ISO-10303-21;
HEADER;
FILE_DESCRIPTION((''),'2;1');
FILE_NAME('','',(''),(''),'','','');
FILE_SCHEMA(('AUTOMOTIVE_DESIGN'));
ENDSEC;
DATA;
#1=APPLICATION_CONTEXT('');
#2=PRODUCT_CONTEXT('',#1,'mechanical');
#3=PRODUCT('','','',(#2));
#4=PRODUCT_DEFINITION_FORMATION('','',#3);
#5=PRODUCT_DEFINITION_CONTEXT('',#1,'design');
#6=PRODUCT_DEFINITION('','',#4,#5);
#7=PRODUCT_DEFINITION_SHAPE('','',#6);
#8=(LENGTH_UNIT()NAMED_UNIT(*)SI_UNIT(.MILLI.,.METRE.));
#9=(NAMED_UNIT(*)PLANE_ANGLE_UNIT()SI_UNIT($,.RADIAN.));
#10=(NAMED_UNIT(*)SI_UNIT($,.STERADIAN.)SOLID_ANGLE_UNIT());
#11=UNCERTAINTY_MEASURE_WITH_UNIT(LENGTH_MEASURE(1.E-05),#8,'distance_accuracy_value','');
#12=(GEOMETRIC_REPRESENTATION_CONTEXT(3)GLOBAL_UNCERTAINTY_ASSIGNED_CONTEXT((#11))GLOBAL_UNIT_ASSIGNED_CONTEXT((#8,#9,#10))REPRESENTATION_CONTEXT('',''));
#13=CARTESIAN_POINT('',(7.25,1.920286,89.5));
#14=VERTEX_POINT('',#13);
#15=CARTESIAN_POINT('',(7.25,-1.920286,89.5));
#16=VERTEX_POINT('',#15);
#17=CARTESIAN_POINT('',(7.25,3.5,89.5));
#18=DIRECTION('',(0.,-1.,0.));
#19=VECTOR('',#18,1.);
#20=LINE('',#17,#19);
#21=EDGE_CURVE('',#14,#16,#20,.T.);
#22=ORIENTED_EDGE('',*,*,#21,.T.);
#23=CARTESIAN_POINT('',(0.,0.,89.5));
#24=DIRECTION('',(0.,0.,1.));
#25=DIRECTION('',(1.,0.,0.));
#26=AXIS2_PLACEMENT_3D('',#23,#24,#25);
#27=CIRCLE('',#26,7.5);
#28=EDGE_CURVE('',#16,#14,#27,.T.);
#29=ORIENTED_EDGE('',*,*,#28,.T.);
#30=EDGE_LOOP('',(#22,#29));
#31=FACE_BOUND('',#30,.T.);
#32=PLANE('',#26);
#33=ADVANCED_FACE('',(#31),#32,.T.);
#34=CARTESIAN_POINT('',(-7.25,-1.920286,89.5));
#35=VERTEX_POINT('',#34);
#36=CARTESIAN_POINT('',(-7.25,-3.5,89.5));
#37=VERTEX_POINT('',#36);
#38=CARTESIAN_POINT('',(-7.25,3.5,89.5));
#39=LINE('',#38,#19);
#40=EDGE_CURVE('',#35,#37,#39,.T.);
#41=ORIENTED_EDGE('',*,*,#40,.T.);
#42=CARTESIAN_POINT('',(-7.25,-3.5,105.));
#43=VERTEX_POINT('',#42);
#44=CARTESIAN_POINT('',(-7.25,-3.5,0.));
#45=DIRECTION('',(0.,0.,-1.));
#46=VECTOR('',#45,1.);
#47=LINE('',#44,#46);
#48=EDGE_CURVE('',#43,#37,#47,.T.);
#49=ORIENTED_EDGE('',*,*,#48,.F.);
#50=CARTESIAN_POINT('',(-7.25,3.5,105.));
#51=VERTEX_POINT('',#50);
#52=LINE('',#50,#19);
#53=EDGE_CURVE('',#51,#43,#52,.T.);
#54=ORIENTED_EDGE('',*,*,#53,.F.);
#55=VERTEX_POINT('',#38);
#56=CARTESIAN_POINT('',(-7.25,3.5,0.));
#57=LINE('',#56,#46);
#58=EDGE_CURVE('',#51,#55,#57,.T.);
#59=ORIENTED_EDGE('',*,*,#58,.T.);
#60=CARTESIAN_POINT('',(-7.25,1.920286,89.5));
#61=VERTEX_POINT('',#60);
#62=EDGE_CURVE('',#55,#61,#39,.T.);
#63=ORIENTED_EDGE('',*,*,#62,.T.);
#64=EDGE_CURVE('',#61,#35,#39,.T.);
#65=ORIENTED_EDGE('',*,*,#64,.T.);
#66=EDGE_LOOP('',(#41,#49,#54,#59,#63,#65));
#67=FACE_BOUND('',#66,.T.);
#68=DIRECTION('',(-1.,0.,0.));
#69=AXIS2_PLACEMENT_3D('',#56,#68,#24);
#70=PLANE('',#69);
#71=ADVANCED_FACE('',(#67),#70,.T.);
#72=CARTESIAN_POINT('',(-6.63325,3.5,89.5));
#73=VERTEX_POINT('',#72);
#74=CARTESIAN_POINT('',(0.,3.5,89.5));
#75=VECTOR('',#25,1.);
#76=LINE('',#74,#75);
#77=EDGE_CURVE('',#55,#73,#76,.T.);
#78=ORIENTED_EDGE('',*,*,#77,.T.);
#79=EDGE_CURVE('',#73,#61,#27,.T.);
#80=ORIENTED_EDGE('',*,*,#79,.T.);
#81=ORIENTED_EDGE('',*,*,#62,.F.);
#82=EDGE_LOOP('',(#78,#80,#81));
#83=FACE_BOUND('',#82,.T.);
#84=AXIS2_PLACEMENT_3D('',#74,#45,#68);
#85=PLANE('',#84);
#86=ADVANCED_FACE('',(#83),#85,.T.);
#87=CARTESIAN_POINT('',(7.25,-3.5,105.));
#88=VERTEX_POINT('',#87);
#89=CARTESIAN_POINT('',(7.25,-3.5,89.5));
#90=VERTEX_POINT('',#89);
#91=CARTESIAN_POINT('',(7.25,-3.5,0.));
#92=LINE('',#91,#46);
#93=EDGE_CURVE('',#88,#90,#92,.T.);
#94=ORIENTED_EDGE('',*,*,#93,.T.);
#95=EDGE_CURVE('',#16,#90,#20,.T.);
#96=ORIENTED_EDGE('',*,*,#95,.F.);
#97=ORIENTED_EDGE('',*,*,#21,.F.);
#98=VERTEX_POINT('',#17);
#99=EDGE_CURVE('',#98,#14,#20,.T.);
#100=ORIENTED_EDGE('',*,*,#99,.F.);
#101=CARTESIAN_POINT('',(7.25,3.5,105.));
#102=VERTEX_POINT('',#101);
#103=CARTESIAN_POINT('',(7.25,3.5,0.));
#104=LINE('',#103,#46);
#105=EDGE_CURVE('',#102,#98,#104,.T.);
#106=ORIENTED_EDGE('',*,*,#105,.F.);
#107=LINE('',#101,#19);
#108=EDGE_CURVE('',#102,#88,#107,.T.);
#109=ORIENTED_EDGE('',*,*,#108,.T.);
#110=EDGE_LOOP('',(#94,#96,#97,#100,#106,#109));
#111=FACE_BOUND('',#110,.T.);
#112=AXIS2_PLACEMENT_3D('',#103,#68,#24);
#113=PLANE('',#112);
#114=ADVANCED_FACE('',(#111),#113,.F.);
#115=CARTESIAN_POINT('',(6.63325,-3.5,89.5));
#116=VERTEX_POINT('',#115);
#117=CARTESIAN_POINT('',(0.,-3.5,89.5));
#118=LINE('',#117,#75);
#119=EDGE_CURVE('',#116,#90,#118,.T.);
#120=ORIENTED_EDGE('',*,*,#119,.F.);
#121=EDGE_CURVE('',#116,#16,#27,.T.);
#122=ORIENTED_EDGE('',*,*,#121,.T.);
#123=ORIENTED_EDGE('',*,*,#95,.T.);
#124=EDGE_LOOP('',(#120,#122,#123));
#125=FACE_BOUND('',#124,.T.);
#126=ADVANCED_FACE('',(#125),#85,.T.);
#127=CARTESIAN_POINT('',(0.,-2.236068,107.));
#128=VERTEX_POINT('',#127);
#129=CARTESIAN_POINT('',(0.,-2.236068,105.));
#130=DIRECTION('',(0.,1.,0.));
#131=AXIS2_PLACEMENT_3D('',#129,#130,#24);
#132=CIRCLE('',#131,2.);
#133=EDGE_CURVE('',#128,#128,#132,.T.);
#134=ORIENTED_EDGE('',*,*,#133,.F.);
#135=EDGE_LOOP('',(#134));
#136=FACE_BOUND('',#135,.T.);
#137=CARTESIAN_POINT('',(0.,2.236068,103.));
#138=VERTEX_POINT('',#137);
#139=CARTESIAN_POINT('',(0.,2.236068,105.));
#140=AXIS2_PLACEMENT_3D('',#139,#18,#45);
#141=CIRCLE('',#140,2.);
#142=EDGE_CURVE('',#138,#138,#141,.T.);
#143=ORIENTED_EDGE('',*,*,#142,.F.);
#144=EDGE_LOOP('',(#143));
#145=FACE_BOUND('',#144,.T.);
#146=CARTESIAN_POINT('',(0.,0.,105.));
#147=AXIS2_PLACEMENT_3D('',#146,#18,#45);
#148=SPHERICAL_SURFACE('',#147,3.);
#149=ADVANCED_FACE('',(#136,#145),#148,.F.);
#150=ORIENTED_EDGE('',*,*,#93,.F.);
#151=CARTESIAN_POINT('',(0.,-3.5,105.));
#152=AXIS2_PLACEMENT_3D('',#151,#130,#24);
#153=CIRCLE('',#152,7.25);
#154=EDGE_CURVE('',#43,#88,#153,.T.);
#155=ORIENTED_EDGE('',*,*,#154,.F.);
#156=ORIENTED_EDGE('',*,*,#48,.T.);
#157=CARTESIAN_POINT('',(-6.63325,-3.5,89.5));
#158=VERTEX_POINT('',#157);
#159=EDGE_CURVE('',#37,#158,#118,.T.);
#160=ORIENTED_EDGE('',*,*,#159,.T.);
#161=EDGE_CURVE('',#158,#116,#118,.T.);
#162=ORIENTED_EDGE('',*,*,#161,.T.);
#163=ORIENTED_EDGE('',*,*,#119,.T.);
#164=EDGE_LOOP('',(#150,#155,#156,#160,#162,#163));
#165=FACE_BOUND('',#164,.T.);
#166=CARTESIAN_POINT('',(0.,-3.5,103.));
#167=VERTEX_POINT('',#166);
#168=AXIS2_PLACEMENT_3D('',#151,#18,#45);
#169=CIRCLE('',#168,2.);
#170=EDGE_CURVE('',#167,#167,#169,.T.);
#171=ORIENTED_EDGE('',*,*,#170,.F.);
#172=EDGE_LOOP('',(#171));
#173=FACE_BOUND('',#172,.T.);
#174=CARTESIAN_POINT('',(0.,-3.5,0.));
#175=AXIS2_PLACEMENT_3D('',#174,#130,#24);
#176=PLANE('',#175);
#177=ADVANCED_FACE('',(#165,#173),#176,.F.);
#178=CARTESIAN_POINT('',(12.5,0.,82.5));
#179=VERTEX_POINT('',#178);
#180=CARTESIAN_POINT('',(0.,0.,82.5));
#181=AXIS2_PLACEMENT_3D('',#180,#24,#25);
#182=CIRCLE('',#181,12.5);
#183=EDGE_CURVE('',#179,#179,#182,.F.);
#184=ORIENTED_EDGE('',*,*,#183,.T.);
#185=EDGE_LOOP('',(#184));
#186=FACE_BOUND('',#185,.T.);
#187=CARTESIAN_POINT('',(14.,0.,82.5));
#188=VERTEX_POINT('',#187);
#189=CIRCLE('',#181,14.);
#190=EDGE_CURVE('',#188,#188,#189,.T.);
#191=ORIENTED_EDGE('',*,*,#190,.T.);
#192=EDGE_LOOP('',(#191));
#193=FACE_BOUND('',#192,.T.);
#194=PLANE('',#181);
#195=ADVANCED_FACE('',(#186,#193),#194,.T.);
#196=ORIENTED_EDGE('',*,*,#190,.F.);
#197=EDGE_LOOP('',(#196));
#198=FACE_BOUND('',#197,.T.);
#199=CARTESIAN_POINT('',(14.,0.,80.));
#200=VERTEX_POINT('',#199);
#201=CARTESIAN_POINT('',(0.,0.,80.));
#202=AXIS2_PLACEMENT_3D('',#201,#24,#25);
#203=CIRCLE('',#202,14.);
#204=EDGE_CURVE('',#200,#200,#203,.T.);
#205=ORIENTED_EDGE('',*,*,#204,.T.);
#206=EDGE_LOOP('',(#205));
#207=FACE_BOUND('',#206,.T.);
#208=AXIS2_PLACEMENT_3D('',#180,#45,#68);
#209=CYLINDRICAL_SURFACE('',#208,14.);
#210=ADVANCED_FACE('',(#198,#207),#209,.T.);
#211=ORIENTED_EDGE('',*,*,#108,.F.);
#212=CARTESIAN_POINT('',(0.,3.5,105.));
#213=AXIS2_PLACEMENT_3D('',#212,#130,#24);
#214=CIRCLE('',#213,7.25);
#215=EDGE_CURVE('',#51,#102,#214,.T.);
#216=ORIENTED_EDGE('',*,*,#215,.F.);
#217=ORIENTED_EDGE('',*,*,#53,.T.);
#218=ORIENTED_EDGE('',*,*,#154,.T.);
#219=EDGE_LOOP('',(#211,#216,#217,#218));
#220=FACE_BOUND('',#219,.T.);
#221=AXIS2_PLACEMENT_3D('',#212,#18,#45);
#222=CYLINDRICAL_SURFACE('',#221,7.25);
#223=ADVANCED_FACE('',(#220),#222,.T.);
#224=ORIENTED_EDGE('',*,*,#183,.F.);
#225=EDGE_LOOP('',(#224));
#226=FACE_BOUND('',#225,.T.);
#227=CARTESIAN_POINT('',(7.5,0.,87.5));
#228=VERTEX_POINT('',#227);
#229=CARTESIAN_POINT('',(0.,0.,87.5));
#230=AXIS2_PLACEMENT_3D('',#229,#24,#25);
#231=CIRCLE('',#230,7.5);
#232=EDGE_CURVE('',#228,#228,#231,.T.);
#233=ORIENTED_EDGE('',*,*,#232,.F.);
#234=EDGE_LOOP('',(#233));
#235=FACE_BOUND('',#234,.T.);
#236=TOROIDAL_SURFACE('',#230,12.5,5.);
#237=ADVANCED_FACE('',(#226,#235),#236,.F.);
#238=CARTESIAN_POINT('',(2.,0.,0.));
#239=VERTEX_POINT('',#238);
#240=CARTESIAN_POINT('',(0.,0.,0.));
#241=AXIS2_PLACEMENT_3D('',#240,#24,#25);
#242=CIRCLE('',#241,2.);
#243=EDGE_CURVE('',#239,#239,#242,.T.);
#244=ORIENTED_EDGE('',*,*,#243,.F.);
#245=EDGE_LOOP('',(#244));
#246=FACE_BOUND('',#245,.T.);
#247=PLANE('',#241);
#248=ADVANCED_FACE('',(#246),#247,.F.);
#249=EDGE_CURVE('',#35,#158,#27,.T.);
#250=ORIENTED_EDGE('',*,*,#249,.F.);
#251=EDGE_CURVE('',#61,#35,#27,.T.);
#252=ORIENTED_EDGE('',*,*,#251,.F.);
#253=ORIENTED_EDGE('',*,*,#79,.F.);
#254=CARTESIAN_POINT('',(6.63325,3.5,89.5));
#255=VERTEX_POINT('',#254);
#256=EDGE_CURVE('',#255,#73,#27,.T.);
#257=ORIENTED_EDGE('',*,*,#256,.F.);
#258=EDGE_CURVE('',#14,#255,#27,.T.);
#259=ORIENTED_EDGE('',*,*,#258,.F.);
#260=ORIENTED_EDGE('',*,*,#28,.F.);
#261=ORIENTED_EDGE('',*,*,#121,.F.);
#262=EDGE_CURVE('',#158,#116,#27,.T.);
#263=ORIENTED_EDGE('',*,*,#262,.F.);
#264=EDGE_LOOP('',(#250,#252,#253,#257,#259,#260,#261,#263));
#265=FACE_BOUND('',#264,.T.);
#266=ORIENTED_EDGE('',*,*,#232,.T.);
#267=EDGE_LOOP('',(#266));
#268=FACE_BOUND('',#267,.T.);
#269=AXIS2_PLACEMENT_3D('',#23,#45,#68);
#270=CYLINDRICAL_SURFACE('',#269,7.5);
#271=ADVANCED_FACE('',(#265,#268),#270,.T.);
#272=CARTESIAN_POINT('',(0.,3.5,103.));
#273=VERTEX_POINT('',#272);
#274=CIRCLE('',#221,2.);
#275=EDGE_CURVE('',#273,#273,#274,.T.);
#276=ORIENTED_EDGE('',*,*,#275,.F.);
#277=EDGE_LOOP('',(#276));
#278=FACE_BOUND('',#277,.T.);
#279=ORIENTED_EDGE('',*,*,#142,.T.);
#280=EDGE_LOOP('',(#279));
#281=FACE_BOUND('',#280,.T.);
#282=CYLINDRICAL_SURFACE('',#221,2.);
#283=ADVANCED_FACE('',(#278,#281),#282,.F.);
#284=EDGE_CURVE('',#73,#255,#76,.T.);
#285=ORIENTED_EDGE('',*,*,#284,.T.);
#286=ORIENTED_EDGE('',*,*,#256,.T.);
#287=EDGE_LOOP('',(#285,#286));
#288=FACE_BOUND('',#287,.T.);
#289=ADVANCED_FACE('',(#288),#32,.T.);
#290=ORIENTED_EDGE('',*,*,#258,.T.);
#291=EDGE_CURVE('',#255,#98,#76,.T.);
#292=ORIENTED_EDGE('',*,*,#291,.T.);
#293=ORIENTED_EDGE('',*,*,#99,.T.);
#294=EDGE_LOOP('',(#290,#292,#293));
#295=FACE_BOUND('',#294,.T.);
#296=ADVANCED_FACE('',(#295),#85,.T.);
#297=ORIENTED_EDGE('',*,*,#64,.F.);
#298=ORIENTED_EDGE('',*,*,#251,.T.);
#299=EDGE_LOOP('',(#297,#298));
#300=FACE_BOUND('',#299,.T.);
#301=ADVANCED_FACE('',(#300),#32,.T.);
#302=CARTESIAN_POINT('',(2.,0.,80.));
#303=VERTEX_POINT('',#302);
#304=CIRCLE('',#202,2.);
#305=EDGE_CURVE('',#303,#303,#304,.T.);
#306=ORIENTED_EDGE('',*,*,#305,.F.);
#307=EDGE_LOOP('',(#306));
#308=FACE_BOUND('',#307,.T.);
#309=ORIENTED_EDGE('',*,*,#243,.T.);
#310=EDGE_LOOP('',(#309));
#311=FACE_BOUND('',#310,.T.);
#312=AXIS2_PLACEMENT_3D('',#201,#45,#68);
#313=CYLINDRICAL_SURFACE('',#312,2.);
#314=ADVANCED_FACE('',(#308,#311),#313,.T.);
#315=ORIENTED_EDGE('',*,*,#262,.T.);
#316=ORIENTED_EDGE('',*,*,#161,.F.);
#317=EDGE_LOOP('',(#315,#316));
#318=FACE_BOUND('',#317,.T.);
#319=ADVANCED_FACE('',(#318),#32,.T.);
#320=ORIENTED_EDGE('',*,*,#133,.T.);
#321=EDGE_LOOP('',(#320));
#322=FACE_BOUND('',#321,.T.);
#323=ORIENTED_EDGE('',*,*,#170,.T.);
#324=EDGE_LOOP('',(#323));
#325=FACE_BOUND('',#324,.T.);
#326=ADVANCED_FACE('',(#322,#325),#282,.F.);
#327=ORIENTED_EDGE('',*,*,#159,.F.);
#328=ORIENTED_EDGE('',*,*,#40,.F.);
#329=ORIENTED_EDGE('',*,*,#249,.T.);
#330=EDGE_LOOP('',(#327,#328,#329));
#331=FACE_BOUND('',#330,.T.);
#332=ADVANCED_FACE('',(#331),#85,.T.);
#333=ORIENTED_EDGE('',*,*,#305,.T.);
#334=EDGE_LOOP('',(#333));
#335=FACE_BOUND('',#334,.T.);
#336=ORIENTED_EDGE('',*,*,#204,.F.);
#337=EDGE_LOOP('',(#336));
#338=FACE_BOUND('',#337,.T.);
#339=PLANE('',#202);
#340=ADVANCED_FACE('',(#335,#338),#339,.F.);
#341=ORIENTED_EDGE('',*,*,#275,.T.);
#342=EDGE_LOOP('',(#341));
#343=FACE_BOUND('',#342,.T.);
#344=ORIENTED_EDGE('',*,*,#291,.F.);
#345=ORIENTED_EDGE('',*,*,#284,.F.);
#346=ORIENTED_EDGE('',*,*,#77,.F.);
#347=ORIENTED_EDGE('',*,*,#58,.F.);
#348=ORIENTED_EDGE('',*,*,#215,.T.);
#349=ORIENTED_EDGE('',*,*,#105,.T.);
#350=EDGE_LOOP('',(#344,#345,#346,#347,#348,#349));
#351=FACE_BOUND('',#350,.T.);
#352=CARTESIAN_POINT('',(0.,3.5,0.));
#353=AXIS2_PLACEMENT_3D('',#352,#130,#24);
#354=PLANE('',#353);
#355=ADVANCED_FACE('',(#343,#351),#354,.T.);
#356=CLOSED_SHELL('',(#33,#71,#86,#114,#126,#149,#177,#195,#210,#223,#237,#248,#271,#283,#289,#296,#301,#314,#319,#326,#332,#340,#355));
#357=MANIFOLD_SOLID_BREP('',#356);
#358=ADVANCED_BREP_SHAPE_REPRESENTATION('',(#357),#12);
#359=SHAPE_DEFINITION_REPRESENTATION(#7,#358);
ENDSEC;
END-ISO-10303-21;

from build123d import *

# Parameters (mm, degrees)
SKETCH_1_R          = 2
EXTRUDE_1_DEPTH     = 80
SKETCH_2_R          = 14
EXTRUDE_2_DEPTH     = 2.5
SKETCH_3_R          = 7.5
EXTRUDE_3_DEPTH     = 7
FILLET_1_R          = 5
SKETCH_4_R          = 7.25
EXTRUDE_4_DEPTH     = 3.5
SKETCH_5_R          = 2
CUT_EXTRUDE_1_DEPTH = 7


with BuildPart() as part:
    # 草图1 → 凸台-拉伸1 (new body)
    with BuildSketch(Plane.XY):
        Circle(SKETCH_1_R)
    extrude(amount=EXTRUDE_1_DEPTH)

    # 草图2 → 凸台-拉伸2 (add)
    with BuildSketch(Plane.XY.offset(80)):
        Circle(SKETCH_2_R)
    extrude(amount=EXTRUDE_2_DEPTH)

    # 草图3 → 凸台-拉伸3 (add)
    with BuildSketch(Plane.XY.offset(82.5)):
        Circle(SKETCH_3_R)
    extrude(amount=EXTRUDE_3_DEPTH)

    # 圆角1
    fillet_1_edges = [part.edges().sort_by_distance(p)[0] for p in [
        (-7.5, 0, 82.5),
    ]]
    fillet(fillet_1_edges, radius=FILLET_1_R)

    # 草图4 → 凸台-拉伸4 (add, symmetric)
    with BuildSketch(Plane(origin=(0, 0, 0), x_dir=(1, 0, 0), z_dir=(0, 1, 0))):
        with BuildLine():
            ThreePointArc((-7.25, -105), (0, -97.75), (7.25, -105))
            Line((7.25, -105), (7.25, -89.5))
            Line((7.25, -89.5), (-7.25, -89.5))
            Line((-7.25, -89.5), (-7.25, -105))
        make_face()
        with Locations((0, -105)):
            Circle(SKETCH_4_R)
    extrude(amount=EXTRUDE_4_DEPTH, both=True)

    # 草图5 → 切除-拉伸1 (cut)
    with BuildSketch(Plane.XZ.offset(3.5)):
        with Locations(Location((0, 105, 0), (0, 0, 270))):
            Circle(SKETCH_5_R)
    extrude(amount=-CUT_EXTRUDE_1_DEPTH, mode=Mode.SUBTRACT)

    # 草图6 → 切除-旋转1 (revolve, cut)
    with BuildSketch(Plane(origin=(0, 0, 0), x_dir=(1, 0, 0), z_dir=(0, 1, 0))):
        with BuildLine():
            Line((0, -102), (0, -108))
            ThreePointArc((0, -108), (3, -105), (0, -102))
        make_face()
    revolve(axis=Axis((0, 0, 112.25), (0, 0, -1)), mode=Mode.SUBTRACT)


solid = part.part
